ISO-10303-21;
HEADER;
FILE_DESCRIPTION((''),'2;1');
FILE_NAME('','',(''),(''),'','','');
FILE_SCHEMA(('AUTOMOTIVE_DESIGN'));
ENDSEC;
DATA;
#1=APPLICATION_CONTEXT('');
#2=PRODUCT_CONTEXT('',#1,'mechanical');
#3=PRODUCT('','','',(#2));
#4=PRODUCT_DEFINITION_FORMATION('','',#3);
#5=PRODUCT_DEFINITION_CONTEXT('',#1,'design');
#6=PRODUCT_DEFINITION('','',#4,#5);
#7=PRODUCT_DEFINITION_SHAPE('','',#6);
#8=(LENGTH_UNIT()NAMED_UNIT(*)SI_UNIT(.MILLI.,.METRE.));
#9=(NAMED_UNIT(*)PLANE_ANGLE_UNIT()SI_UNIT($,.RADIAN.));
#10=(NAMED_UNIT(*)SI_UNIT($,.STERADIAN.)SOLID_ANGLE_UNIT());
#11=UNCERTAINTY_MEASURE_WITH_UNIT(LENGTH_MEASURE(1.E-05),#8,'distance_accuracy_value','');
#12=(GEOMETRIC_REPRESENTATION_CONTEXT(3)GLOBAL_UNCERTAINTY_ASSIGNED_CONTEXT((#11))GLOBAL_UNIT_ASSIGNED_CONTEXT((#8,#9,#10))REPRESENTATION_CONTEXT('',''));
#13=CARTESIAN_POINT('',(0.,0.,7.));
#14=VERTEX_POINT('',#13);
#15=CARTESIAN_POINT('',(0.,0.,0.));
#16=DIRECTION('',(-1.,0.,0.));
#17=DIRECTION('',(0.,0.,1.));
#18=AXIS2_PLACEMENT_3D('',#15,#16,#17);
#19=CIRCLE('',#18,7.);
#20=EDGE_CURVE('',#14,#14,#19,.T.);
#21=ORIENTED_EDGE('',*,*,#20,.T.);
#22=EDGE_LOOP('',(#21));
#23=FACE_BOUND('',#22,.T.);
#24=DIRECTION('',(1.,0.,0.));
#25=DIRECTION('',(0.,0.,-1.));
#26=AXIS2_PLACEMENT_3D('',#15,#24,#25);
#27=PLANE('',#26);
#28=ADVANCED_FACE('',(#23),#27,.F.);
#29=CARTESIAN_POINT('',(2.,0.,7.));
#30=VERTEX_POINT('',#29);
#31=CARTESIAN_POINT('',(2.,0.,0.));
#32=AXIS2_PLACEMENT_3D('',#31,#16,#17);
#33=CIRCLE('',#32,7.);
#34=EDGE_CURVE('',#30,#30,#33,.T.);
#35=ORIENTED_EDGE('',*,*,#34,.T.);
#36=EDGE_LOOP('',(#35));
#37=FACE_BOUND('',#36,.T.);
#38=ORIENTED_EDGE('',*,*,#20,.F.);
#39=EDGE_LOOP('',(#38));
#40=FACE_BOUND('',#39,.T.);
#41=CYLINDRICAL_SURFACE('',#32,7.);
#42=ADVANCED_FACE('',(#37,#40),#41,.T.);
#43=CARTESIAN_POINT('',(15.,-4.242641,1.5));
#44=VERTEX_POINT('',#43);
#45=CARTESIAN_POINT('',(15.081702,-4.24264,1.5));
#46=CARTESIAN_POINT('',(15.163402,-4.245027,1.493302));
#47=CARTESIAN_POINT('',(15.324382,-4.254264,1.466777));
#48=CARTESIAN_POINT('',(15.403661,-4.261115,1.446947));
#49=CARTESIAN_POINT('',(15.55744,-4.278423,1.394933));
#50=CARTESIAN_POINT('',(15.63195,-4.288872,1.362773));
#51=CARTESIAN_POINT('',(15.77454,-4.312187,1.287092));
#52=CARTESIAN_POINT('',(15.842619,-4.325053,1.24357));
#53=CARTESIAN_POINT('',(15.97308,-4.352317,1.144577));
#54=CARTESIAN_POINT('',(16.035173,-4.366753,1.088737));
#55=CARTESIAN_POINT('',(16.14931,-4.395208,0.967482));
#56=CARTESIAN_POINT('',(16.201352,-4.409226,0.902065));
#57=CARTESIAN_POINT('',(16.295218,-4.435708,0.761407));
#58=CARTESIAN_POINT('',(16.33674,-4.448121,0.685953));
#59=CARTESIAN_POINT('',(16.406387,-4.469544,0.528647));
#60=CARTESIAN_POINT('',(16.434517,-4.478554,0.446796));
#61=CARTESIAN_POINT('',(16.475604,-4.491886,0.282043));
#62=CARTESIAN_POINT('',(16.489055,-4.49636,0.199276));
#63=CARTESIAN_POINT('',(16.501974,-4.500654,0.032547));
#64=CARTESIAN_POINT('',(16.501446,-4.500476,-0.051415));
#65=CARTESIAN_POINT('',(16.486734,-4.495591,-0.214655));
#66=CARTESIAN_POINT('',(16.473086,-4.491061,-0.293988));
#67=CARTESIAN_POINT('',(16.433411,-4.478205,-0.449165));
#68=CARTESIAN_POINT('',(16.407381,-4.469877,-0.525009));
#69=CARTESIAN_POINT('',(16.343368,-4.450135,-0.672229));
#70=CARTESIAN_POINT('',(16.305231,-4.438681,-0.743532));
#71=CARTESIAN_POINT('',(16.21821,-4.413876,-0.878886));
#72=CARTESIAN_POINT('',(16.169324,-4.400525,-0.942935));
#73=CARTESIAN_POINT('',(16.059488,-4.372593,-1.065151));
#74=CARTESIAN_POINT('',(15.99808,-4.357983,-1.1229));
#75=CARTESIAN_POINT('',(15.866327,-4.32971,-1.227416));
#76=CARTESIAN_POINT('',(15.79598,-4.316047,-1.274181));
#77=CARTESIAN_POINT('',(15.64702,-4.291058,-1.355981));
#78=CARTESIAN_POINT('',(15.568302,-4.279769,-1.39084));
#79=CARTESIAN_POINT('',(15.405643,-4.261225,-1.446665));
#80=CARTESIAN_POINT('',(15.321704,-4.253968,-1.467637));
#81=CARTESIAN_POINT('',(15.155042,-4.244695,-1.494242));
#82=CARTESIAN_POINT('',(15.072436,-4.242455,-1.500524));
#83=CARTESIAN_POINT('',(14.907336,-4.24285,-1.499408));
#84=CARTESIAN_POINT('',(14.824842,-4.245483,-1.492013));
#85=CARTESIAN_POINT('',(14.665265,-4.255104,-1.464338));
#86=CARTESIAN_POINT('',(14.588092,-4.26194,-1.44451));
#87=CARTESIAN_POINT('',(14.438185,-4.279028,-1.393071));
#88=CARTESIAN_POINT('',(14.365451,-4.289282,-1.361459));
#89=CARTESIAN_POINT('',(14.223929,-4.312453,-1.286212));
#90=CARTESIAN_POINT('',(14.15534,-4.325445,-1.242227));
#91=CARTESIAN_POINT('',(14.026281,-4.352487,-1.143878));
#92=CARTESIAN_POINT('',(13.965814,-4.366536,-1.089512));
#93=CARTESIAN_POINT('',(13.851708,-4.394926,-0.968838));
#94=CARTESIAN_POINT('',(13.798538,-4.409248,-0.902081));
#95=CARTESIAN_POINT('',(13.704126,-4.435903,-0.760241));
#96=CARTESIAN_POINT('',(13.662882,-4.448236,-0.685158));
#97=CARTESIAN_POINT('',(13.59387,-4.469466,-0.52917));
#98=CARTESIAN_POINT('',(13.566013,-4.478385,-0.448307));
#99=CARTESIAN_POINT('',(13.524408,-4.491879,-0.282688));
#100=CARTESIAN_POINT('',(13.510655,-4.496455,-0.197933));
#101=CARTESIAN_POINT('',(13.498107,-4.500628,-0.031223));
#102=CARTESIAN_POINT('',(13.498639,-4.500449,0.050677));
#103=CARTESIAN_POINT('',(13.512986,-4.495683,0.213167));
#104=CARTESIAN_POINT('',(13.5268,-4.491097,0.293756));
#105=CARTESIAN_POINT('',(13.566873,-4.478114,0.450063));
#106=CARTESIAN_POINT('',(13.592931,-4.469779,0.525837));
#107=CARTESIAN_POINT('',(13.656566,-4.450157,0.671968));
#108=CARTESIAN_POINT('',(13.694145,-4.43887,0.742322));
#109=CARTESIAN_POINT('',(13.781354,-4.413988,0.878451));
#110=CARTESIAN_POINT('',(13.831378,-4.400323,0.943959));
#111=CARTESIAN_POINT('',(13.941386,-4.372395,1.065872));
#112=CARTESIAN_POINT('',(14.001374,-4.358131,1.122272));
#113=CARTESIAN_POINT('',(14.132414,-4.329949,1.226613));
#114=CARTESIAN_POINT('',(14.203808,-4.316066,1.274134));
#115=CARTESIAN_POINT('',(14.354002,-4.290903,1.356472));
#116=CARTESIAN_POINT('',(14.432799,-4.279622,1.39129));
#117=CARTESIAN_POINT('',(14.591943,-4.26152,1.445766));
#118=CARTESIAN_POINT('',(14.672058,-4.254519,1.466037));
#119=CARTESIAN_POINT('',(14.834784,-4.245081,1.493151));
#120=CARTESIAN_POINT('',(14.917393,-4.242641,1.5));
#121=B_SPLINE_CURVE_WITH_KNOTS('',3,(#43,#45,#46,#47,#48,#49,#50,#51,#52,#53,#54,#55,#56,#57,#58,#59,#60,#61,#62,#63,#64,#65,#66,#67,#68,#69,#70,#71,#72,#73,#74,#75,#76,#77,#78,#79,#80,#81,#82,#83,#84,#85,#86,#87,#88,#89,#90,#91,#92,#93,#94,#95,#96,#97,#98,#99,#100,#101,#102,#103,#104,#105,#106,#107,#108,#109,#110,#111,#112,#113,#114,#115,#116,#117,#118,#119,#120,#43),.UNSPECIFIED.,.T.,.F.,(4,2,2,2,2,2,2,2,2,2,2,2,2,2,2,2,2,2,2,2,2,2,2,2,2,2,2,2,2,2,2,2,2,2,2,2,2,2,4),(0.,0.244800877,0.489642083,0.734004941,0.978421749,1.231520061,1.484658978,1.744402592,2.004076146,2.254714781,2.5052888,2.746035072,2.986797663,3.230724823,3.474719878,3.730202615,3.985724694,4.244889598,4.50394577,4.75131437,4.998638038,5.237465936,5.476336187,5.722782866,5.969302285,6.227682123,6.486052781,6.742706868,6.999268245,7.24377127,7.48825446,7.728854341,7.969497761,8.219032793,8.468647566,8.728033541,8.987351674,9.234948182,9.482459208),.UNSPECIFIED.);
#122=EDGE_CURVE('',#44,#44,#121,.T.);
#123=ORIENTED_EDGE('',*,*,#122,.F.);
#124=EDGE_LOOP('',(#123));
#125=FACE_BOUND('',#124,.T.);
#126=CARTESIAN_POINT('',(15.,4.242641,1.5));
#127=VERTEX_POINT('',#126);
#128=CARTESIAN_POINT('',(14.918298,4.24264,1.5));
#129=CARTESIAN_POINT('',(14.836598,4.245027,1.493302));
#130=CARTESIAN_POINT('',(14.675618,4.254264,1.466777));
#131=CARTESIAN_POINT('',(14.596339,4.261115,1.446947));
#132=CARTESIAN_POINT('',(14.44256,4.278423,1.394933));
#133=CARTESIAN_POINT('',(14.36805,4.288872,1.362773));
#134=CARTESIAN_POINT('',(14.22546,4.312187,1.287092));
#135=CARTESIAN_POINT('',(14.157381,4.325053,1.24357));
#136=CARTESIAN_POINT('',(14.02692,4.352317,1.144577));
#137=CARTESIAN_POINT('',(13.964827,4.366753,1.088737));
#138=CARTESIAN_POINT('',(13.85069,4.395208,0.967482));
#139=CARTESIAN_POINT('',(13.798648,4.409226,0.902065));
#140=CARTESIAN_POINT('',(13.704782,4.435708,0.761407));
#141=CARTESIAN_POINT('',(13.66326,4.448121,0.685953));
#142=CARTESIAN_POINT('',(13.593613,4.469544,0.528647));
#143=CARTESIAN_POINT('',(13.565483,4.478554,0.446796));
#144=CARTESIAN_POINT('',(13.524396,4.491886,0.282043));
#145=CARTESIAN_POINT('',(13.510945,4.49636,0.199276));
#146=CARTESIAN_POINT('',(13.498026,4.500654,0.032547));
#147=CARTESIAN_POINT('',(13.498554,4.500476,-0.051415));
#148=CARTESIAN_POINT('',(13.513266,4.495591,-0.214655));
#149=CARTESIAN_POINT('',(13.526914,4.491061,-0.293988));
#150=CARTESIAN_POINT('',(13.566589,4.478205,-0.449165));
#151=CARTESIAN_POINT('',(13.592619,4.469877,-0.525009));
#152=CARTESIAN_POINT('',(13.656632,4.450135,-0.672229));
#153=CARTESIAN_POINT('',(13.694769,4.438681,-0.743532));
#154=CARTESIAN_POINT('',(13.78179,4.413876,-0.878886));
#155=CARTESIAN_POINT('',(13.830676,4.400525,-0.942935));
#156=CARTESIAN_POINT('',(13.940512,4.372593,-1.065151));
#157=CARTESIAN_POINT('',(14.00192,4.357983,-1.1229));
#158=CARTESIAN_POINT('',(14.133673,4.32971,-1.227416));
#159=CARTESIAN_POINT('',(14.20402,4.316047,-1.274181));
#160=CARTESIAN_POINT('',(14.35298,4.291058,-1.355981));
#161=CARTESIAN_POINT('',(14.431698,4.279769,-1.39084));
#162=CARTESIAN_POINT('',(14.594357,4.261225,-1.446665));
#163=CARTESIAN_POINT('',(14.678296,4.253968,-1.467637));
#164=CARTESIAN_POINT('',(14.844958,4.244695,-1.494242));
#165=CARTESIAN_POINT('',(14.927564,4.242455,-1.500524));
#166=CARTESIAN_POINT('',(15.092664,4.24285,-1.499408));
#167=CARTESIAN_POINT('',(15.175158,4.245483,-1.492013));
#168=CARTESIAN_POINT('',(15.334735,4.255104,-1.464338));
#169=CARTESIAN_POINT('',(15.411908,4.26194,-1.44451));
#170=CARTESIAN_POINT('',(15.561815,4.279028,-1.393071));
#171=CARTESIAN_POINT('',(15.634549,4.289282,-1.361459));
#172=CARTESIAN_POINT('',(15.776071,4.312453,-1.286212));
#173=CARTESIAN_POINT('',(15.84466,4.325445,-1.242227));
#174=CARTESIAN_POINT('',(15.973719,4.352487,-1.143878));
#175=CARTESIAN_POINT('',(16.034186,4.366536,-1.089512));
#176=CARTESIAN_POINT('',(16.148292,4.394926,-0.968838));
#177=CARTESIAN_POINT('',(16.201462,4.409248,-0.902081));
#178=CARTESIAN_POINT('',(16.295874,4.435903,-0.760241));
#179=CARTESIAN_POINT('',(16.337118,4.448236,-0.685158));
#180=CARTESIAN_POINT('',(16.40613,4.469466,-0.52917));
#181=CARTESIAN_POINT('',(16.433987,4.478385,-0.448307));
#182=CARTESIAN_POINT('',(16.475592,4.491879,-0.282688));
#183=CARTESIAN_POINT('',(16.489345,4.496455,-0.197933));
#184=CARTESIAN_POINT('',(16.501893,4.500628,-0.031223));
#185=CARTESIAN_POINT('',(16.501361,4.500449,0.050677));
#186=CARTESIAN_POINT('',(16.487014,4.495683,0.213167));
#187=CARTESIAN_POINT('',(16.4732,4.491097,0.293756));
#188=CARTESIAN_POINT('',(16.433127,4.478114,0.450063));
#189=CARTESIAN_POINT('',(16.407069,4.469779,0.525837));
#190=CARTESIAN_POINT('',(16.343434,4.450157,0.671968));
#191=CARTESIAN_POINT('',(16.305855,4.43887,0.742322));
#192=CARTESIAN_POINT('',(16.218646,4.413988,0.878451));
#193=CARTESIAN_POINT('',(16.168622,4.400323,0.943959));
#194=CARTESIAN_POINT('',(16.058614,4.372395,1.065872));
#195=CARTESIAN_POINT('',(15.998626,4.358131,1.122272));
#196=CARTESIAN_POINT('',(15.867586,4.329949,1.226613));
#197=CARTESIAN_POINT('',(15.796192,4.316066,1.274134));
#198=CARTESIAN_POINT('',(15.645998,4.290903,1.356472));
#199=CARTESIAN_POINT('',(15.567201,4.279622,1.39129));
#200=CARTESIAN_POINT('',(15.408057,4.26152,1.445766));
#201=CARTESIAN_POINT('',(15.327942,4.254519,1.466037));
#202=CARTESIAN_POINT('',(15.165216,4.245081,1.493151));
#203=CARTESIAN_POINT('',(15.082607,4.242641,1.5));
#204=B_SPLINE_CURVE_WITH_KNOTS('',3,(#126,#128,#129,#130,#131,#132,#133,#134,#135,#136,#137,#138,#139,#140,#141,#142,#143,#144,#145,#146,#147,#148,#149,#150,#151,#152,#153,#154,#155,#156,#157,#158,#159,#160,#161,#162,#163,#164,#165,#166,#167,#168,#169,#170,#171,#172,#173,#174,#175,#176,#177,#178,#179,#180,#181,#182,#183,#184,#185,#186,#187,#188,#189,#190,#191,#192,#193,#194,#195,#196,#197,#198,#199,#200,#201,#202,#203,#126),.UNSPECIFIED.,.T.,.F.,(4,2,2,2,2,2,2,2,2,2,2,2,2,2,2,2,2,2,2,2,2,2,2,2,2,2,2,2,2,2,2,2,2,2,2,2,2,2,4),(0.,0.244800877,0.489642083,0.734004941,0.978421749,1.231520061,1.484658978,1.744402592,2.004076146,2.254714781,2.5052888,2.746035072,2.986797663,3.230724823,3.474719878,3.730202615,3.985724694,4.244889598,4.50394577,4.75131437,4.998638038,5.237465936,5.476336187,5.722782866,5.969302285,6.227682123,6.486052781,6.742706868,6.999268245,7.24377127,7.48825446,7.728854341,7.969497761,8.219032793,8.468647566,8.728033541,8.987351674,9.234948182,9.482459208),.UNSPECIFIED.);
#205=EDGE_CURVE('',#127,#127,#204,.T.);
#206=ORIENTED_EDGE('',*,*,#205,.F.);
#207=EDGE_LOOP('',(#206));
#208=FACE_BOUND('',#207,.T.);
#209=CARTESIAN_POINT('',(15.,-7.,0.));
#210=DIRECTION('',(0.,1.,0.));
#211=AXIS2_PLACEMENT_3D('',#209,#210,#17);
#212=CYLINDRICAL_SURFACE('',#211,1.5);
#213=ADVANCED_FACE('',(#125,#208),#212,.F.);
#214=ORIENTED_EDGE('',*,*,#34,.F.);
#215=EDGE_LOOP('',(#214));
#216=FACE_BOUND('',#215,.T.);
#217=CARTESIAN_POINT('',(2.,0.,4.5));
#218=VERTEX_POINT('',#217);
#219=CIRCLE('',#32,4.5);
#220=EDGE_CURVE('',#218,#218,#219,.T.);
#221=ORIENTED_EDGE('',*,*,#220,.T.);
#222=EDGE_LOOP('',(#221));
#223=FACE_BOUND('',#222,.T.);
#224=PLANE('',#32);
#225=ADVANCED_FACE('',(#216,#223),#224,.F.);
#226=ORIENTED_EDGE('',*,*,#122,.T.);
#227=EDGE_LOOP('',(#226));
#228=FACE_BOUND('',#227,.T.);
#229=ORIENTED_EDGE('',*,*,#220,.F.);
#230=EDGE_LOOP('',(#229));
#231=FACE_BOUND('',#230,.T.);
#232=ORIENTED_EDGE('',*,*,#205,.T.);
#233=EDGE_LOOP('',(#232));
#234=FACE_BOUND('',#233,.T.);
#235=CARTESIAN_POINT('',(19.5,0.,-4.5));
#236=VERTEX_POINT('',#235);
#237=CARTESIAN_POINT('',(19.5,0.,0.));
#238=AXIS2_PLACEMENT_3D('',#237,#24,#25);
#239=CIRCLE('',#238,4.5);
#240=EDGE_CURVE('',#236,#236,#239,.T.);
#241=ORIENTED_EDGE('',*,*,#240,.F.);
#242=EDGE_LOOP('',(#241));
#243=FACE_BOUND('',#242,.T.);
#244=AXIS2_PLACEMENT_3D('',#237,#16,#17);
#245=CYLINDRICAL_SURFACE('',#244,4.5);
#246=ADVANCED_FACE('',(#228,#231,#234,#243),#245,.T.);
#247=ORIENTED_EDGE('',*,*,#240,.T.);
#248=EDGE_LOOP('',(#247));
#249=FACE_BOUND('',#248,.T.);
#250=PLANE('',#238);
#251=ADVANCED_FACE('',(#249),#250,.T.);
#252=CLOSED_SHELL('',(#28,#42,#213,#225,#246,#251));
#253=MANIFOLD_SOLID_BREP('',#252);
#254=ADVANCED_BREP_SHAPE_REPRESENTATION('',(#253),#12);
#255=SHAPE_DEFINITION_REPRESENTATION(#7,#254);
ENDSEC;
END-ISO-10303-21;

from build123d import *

# Parameters (mm, degrees)
SKETCH1_R               = 4.5
BOSS_EXTRUDE1_DEPTH     = 19.5
SKETCH2_R               = 7
BOSS_EXTRUDE2_DEPTH     = 2
CUT_EXTRUDE1_DEPTH      = 22.868927729
CUT_EXTRUDE1_DEPTH_BACK = 22.868927729
SKETCH3_R               = 1.5


with BuildPart() as part:
    # Sketch1 → Boss-Extrude1 (new body)
    with BuildSketch(Plane(origin=(0, 0, 0), x_dir=(0, 0, -1), z_dir=(1, 0, 0))):
        Circle(SKETCH1_R)
    extrude(amount=BOSS_EXTRUDE1_DEPTH)

    # Sketch2 → Boss-Extrude2 (add)
    with BuildSketch(Plane.ZY):
        Circle(SKETCH2_R)
    extrude(amount=-BOSS_EXTRUDE2_DEPTH)

    # Sketch3 → Cut-Extrude1 (cut, two sides: drawn at the far end of the back side and taken through both)
    with BuildSketch(Plane(origin=(0, 0, 0), x_dir=(1, 0, 0), z_dir=(0, 1, 0)).offset(-CUT_EXTRUDE1_DEPTH_BACK)):
        with Locations(Location((15, 0, 0), (0, 0, 270))):
            Circle(SKETCH3_R)
    extrude(amount=CUT_EXTRUDE1_DEPTH + CUT_EXTRUDE1_DEPTH_BACK, mode=Mode.SUBTRACT)


solid = part.part
